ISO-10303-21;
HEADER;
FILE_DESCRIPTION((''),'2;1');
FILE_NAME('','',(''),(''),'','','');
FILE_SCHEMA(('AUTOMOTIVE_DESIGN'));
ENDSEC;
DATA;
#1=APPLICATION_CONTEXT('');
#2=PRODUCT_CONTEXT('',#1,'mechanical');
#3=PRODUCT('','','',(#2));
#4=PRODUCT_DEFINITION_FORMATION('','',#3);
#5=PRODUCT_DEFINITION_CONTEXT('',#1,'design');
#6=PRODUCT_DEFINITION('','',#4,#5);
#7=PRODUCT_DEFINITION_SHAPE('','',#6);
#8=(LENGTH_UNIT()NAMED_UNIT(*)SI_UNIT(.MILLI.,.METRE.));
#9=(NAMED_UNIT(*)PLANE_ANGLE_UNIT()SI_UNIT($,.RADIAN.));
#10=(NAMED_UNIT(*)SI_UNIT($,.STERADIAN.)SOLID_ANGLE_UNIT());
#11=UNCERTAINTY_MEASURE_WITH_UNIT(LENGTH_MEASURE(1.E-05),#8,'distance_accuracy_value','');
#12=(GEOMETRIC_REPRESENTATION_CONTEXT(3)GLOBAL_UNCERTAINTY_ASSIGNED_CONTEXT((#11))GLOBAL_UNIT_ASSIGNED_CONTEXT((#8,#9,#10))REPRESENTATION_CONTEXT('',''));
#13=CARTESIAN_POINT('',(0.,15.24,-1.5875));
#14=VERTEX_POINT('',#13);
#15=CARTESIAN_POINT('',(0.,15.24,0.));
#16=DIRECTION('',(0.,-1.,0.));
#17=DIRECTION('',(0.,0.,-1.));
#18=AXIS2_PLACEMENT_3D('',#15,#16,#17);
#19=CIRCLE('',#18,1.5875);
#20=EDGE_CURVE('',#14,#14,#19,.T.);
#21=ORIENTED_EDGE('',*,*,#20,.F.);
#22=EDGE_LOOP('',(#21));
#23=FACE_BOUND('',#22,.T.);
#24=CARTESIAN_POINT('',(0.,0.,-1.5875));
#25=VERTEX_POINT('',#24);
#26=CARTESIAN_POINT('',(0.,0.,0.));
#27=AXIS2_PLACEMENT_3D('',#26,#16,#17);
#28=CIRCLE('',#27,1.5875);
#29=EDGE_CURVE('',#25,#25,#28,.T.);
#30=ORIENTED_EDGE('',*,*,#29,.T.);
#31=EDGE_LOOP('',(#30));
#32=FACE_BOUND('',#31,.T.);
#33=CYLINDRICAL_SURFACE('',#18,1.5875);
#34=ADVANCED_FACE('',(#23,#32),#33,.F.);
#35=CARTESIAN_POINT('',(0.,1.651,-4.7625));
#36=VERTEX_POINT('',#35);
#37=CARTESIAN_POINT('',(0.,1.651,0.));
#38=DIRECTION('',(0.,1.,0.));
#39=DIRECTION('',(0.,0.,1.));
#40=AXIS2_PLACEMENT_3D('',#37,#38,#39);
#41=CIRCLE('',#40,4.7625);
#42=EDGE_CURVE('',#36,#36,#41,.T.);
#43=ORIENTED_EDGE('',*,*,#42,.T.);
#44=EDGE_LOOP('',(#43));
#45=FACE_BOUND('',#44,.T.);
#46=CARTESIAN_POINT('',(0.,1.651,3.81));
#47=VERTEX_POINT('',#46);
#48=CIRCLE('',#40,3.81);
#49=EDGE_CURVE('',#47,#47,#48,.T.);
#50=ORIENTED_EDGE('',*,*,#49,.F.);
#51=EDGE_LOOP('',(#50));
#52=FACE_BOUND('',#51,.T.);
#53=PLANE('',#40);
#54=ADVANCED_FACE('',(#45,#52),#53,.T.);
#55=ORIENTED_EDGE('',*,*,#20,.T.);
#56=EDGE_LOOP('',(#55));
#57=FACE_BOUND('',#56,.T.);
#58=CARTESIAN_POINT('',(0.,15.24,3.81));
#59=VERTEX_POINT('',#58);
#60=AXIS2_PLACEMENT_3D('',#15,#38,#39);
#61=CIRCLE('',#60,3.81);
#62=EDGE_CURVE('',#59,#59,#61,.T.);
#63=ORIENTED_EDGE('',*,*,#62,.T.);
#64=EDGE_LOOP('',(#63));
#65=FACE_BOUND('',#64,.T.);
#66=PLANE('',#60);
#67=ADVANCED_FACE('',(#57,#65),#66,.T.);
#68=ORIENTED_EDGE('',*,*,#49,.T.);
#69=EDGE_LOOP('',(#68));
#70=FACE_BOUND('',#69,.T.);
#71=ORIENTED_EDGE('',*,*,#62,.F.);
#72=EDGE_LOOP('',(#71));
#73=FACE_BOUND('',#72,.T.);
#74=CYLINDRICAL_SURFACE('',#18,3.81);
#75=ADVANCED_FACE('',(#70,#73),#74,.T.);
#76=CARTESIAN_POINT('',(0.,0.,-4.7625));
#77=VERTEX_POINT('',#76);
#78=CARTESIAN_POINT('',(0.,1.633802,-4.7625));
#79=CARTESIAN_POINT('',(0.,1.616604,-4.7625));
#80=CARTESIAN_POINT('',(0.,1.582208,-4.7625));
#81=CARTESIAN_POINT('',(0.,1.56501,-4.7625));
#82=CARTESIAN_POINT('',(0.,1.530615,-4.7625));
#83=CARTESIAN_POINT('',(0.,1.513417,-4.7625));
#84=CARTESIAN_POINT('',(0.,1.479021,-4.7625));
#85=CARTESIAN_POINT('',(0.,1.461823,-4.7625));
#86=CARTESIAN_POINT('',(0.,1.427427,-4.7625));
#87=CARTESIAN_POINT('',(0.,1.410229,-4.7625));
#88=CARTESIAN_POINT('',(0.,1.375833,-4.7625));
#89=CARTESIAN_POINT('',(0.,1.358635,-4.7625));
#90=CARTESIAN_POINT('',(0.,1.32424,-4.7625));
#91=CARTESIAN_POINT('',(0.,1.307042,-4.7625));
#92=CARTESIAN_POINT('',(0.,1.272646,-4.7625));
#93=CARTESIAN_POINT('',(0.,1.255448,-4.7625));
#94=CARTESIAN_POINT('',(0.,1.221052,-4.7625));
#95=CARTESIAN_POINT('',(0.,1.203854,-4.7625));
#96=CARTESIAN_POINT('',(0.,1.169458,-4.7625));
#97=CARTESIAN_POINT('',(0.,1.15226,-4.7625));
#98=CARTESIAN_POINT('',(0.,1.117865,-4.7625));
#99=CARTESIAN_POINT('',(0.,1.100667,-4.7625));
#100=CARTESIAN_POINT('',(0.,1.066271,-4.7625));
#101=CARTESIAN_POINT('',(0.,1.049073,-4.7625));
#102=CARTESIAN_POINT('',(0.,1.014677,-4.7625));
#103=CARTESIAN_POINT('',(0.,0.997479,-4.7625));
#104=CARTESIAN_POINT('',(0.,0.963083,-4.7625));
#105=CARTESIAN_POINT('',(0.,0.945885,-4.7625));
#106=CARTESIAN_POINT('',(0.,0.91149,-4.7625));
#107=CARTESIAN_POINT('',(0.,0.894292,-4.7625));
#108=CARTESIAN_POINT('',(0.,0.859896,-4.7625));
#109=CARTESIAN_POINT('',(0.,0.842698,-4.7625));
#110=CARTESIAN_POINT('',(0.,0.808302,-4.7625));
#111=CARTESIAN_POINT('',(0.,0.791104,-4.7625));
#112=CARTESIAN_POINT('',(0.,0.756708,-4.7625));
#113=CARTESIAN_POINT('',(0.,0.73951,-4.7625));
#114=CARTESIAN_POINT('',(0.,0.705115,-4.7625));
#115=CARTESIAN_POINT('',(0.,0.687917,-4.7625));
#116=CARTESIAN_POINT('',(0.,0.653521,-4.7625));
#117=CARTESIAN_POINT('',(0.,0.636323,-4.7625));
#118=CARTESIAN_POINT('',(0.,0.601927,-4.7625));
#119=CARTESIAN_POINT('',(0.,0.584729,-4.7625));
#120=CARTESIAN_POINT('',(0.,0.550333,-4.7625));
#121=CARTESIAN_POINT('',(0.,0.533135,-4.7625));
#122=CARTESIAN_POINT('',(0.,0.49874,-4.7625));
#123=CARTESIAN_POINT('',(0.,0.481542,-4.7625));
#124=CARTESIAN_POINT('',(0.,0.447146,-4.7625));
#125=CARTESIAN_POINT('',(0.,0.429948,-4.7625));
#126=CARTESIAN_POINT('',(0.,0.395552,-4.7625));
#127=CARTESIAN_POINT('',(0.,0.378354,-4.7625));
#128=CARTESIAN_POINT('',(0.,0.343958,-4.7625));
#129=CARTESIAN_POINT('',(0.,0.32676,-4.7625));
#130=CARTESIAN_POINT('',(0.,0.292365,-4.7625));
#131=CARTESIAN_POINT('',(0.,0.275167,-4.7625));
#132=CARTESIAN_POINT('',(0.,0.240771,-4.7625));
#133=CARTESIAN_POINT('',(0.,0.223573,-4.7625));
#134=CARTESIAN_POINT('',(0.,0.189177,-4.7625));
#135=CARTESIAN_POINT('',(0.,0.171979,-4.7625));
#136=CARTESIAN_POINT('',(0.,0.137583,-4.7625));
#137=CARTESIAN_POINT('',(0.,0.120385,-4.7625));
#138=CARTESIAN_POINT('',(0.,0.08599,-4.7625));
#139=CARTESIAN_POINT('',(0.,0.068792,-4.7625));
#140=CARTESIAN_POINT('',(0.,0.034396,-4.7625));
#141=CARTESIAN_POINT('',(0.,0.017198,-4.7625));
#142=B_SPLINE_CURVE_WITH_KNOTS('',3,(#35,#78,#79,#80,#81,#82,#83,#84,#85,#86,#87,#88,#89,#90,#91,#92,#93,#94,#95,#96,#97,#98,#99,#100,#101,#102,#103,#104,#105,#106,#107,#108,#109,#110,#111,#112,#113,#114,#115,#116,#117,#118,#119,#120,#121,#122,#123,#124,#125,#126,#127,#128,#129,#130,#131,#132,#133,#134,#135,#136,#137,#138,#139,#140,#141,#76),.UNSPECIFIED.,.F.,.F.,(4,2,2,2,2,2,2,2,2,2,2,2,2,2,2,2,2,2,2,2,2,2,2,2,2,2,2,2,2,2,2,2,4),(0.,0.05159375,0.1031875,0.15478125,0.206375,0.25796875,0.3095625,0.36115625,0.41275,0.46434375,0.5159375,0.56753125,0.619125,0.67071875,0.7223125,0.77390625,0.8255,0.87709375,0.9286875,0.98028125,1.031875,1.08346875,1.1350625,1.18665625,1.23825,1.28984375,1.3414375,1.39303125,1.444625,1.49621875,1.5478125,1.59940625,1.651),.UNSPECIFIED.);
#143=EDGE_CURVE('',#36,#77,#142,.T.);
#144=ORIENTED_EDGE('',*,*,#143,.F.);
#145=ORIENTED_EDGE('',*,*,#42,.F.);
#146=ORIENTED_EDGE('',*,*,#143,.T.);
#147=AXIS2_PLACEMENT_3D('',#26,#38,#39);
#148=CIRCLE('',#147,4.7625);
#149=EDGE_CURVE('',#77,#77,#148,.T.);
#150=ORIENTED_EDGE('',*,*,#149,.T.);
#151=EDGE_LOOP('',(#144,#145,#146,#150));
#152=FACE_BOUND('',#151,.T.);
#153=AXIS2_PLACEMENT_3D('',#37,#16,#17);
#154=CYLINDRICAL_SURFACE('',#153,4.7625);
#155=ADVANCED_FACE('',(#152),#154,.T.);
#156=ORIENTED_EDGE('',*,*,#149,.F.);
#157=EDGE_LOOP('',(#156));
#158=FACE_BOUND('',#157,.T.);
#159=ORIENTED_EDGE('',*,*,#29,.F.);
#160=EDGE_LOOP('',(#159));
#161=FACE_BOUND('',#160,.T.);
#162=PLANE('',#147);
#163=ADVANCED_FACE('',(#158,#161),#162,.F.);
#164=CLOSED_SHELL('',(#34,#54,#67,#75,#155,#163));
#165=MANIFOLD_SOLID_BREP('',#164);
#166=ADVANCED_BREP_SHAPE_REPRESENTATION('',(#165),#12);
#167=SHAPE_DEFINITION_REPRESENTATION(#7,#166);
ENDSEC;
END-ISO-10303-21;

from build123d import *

# Parameters (mm, degrees)
SKETCH1_R           = 4.7625
BOSS_EXTRUDE1_DEPTH = 1.651
SKETCH2_R           = 3.81
BOSS_EXTRUDE2_DEPTH = 13.589
SKETCH3_R           = 1.5875
CUT_EXTRUDE2_DEPTH  = 17.66194504


with BuildPart() as part:
    # Sketch1 → Boss-Extrude1 (new body)
    with BuildSketch(Plane(origin=(0, 0, 0), x_dir=(1, 0, 0), z_dir=(0, 1, 0))):
        with Locations(Location((0, 0, 0), (0, 0, 90))):
            Circle(SKETCH1_R)
    extrude(amount=BOSS_EXTRUDE1_DEPTH)

    # Sketch2 → Boss-Extrude2 (add)
    with BuildSketch(Plane(origin=(0, 1.651, 0), x_dir=(1, 0, 0), z_dir=(0, 1, 0))):
        with Locations(Location((0, 0, 0), (0, 0, 270))):
            Circle(SKETCH2_R)
    extrude(amount=BOSS_EXTRUDE2_DEPTH)

    # Sketch3 → Cut-Extrude2 (cut, through all)
    with BuildSketch(Plane.XZ):
        with Locations(Location((0, 0, 0), (0, 0, 270))):
            Circle(SKETCH3_R)
    extrude(amount=-CUT_EXTRUDE2_DEPTH, mode=Mode.SUBTRACT)


solid = part.part
